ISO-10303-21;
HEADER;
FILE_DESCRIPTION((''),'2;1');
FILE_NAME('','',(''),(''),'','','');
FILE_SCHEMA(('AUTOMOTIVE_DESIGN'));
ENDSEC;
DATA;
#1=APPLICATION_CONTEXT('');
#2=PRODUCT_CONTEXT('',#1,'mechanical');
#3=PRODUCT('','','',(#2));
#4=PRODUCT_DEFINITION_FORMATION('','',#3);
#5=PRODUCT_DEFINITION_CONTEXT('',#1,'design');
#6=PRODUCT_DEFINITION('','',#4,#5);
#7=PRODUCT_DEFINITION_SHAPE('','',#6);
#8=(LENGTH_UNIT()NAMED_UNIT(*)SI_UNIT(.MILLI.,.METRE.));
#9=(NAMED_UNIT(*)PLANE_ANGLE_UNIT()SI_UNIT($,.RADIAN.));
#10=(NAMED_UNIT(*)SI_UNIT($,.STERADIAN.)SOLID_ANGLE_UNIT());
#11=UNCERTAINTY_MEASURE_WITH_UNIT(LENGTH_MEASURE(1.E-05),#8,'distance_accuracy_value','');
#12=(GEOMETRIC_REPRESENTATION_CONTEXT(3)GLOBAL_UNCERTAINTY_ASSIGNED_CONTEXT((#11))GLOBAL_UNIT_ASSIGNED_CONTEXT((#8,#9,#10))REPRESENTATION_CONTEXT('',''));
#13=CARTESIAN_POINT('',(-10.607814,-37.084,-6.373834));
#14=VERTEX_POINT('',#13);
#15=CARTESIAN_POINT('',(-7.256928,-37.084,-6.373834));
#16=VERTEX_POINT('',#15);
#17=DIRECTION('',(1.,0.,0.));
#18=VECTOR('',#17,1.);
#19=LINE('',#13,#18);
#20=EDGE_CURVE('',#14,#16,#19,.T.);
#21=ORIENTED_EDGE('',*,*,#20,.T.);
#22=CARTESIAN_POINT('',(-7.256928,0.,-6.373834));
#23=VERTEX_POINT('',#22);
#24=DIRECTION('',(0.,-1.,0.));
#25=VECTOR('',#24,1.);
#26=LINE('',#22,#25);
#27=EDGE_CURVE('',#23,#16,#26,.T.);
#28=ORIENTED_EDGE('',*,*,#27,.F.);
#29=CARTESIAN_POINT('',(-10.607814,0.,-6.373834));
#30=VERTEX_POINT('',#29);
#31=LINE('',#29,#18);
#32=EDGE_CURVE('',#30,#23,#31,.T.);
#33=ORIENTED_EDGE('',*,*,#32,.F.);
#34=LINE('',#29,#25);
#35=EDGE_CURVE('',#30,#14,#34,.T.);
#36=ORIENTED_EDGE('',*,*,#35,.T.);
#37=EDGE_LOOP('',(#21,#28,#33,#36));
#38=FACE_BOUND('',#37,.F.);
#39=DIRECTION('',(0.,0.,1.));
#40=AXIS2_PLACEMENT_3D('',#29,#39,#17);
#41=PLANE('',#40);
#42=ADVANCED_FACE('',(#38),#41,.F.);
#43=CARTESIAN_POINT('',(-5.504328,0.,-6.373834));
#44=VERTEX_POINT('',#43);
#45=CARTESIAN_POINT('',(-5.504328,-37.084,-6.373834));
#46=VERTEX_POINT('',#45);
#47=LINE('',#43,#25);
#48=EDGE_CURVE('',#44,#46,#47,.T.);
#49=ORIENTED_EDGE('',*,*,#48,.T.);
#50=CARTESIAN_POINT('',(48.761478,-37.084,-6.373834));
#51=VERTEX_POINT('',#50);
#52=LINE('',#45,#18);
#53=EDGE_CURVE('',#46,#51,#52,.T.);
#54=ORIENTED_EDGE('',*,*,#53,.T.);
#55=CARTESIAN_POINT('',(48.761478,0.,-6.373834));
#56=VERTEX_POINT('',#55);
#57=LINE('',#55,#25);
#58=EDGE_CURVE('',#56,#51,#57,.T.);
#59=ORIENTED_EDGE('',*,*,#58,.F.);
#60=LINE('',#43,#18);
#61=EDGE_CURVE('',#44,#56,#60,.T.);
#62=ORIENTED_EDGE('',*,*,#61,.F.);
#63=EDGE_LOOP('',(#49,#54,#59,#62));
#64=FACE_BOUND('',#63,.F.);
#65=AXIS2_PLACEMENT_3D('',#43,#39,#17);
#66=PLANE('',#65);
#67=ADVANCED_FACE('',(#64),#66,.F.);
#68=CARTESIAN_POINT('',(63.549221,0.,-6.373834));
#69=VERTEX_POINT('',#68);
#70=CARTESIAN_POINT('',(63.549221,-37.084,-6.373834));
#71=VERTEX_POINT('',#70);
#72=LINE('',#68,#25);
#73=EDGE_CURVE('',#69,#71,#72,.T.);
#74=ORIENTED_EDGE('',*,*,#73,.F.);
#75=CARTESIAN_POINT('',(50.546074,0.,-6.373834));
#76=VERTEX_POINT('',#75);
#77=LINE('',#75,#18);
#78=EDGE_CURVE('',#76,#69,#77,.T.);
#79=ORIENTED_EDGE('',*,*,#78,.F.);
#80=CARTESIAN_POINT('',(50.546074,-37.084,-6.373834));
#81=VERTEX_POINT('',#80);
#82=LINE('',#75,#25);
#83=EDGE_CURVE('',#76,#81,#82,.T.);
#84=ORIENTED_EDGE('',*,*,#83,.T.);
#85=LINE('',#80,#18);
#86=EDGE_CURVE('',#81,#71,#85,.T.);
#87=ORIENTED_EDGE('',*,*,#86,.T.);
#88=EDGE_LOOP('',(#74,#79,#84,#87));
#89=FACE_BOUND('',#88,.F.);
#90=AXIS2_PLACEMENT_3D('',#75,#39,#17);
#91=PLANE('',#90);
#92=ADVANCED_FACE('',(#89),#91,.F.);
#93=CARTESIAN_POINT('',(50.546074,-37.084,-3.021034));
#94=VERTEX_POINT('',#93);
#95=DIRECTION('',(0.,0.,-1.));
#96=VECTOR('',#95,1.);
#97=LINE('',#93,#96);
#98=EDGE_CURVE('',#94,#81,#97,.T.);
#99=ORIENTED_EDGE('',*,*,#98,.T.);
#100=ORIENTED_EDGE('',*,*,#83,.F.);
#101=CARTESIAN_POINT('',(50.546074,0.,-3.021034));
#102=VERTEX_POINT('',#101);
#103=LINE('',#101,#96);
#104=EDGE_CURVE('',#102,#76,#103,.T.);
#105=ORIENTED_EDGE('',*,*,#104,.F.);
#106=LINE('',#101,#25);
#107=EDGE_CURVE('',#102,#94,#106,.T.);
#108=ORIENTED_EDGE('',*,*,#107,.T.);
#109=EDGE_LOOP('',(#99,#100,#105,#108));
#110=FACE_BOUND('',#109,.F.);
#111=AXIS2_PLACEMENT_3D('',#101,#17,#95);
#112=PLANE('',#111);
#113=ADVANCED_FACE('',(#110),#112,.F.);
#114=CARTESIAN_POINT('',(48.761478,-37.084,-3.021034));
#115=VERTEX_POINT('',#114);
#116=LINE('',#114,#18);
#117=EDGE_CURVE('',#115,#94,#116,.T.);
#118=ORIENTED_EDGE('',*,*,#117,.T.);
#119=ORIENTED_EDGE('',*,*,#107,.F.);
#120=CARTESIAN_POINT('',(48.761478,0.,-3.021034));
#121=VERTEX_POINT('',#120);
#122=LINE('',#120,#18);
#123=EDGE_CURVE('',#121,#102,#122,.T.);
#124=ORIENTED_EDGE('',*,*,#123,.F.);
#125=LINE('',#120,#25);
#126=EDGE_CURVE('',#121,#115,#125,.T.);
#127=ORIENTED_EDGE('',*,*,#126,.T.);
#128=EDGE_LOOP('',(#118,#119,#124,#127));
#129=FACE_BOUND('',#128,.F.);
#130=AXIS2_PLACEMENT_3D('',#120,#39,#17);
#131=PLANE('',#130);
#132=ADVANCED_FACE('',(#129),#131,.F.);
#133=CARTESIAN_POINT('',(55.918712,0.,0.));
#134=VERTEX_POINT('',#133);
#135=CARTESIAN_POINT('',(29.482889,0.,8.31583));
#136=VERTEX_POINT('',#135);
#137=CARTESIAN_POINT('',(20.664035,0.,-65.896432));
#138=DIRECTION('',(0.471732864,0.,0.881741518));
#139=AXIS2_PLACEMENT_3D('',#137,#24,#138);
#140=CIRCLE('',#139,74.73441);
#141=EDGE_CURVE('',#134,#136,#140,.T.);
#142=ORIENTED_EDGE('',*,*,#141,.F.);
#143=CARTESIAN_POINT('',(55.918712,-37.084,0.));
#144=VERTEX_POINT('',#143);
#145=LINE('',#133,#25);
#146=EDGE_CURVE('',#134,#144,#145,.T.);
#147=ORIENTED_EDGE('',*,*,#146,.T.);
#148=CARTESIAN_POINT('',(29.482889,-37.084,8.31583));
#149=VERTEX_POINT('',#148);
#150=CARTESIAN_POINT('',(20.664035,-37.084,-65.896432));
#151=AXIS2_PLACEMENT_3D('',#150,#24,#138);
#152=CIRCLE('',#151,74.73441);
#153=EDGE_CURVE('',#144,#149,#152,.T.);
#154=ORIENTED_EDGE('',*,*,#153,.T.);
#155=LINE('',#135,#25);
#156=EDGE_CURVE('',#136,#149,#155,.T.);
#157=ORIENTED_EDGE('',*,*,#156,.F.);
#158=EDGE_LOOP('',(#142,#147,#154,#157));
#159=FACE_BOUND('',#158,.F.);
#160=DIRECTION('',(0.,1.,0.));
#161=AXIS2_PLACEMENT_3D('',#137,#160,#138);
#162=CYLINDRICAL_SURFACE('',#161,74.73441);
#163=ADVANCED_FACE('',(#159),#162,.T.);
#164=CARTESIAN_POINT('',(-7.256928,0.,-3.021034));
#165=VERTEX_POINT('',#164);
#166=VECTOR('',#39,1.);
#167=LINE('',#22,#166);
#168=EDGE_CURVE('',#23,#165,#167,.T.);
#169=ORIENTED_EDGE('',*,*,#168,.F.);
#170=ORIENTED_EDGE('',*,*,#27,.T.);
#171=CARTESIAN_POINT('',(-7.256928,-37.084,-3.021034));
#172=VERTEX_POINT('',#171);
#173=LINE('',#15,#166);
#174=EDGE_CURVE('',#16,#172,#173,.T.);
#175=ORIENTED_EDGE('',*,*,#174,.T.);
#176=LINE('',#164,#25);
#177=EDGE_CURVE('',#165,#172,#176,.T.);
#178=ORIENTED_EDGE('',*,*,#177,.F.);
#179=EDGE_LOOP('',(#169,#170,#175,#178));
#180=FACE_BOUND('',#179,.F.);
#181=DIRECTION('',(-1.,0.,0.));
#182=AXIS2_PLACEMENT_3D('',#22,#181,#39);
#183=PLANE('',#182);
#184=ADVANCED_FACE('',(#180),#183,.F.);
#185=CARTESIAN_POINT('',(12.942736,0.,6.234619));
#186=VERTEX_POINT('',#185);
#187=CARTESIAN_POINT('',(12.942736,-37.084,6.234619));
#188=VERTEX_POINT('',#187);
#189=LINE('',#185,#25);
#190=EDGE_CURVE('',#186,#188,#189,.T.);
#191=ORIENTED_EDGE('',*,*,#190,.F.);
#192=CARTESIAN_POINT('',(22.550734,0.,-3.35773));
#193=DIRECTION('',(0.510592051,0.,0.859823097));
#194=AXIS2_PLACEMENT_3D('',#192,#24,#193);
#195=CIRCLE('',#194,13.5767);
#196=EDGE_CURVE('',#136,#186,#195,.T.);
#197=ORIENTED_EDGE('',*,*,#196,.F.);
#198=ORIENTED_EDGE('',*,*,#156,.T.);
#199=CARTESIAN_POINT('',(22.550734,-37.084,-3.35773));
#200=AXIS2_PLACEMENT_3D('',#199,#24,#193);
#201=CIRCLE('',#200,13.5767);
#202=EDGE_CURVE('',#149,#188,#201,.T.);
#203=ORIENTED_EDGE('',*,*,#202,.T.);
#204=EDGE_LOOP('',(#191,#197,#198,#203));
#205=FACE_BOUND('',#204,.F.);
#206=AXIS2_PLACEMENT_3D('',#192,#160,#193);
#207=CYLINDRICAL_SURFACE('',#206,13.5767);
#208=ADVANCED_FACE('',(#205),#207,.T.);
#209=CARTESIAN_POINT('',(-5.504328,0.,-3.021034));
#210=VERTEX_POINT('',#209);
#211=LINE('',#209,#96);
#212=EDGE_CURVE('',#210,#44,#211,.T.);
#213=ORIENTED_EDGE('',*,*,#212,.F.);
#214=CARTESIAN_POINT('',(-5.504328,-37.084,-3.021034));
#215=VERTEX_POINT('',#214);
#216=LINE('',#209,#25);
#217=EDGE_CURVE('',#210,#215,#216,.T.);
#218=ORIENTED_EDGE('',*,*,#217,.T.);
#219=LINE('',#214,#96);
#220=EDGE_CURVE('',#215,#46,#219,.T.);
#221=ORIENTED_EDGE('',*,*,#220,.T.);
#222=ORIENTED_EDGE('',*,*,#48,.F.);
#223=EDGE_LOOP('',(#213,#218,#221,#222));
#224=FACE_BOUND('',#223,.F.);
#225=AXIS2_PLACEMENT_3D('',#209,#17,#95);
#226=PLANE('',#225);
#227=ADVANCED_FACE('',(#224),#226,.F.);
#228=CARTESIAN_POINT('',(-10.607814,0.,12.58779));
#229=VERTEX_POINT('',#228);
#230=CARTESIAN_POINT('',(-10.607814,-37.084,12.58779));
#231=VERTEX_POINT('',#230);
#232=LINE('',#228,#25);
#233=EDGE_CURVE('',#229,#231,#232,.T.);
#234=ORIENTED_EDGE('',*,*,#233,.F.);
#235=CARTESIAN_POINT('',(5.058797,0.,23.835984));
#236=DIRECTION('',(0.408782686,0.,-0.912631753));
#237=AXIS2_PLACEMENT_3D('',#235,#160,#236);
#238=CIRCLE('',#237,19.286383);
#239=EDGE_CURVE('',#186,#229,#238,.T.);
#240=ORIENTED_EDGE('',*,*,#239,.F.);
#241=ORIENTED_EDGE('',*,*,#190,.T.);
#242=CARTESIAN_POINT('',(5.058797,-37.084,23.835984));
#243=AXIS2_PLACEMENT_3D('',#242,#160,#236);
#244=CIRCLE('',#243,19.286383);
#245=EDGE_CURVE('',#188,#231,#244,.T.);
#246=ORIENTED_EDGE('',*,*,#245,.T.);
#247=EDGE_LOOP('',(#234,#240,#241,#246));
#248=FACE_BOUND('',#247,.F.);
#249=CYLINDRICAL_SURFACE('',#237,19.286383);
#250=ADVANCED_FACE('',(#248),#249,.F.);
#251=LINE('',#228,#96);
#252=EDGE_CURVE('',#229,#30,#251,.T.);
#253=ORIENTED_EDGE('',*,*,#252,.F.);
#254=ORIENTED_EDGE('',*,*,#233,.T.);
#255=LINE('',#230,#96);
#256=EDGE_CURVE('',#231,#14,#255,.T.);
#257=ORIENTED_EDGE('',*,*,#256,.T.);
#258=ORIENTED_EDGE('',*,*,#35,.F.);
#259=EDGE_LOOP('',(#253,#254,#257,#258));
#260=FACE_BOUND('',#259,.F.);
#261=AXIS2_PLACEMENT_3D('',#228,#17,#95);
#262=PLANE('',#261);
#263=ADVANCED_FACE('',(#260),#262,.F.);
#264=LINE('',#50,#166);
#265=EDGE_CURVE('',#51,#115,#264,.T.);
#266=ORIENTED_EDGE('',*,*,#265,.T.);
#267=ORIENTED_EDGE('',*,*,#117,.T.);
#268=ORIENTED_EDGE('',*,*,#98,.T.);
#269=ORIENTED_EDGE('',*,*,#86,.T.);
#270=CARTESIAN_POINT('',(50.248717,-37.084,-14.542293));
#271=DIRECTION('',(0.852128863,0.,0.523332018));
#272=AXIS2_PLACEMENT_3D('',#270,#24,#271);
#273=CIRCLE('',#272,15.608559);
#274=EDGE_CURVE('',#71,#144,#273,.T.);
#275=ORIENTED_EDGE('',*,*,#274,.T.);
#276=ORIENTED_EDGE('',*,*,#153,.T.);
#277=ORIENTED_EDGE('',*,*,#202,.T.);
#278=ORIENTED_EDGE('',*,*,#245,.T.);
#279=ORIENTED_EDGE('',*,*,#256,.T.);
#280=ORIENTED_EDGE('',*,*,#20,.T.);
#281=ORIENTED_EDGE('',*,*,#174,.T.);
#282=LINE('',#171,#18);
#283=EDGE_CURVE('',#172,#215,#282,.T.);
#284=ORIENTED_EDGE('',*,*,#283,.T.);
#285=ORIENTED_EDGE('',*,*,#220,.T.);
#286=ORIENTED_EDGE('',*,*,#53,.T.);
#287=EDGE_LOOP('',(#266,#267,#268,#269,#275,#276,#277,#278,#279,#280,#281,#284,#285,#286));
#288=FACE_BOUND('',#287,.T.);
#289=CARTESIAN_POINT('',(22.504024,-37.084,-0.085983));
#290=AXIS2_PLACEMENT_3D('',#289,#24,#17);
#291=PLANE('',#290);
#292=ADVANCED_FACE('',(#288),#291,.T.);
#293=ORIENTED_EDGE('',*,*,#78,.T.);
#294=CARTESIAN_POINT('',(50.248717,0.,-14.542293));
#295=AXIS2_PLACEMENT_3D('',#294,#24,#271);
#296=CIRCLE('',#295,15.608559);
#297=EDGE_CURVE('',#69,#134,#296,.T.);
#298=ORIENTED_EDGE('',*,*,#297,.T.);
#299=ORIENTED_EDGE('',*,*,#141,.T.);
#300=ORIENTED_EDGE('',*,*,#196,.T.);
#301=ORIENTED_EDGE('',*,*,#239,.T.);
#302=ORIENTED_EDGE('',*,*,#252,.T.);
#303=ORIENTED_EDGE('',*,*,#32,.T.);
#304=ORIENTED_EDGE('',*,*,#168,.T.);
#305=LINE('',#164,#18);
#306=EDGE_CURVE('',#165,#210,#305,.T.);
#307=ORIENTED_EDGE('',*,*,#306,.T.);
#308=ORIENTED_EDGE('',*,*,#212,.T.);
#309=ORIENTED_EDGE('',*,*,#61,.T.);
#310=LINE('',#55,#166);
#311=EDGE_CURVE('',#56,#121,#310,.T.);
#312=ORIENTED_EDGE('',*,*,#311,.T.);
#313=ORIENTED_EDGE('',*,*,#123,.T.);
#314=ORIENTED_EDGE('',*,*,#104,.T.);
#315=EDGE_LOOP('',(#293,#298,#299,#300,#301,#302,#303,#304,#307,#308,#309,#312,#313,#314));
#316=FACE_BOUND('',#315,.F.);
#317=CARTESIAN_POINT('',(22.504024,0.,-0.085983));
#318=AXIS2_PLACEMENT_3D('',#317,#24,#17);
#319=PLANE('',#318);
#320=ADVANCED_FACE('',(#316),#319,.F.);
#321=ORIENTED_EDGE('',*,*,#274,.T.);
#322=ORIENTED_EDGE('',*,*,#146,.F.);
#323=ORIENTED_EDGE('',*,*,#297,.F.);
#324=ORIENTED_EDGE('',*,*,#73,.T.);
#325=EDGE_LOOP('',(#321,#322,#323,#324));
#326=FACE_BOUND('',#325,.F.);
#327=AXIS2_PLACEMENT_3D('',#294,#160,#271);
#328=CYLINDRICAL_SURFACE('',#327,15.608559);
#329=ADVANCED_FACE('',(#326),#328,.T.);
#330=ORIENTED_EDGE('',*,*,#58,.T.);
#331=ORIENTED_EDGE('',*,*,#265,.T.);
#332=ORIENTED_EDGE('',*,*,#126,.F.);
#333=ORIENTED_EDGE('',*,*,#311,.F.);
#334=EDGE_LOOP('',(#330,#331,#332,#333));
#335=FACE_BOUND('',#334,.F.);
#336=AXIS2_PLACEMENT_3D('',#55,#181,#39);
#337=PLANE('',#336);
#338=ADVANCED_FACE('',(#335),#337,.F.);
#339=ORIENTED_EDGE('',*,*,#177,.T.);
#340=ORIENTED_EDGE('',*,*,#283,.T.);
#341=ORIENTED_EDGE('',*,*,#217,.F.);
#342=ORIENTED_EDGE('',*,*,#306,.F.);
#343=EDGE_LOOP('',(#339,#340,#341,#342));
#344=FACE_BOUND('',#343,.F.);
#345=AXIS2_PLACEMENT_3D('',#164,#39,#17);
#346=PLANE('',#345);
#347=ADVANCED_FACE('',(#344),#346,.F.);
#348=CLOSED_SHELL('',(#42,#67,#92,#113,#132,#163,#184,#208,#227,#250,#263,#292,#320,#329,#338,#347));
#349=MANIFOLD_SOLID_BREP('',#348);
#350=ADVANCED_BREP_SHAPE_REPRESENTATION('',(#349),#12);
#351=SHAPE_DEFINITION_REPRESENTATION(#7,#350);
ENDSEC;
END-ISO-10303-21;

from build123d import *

# Parameters (mm, degrees)
F1_DEPTH = 37.084


with BuildPart() as f1:
    # F0 (on Front) → F1 (new body)
    with BuildSketch(Plane.XZ):
        with BuildLine():
            ThreePointArc((12.942736, 6.234619), (0.035532, 5.21526), (-10.607814, 12.58779))
            Line((-10.607814, 12.58779), (-10.607814, -6.373834))
            Line((-10.607814, -6.373834), (-7.256928, -6.373834))
            Line((-7.256928, -6.373834), (-7.256928, -3.021034))
            Line((-7.256928, -3.021034), (-5.504328, -3.021034))
            Line((-5.504328, -3.021034), (-5.504328, -6.373834))
            Line((-5.504328, -6.373834), (48.761478, -6.373834))
            Line((48.761478, -6.373834), (48.761478, -3.021034))
            Line((48.761478, -3.021034), (50.546074, -3.021034))
            Line((50.546074, -3.021034), (50.546074, -6.373834))
            Line((50.546074, -6.373834), (60.481984, -6.373834))
            Line((60.481984, -6.373834), (63.549221, -6.373834))
            ThreePointArc((63.549221, -6.373834), (60.255035, -2.563114), (55.918712, 0))
            ThreePointArc((55.918712, 0), (43.08963, 5.393993), (29.482889, 8.31583))
            ThreePointArc((29.482889, 8.31583), (20.855773, 10.112752), (12.942736, 6.234619))
        make_face()
    extrude(amount=F1_DEPTH)


solid = f1.part
